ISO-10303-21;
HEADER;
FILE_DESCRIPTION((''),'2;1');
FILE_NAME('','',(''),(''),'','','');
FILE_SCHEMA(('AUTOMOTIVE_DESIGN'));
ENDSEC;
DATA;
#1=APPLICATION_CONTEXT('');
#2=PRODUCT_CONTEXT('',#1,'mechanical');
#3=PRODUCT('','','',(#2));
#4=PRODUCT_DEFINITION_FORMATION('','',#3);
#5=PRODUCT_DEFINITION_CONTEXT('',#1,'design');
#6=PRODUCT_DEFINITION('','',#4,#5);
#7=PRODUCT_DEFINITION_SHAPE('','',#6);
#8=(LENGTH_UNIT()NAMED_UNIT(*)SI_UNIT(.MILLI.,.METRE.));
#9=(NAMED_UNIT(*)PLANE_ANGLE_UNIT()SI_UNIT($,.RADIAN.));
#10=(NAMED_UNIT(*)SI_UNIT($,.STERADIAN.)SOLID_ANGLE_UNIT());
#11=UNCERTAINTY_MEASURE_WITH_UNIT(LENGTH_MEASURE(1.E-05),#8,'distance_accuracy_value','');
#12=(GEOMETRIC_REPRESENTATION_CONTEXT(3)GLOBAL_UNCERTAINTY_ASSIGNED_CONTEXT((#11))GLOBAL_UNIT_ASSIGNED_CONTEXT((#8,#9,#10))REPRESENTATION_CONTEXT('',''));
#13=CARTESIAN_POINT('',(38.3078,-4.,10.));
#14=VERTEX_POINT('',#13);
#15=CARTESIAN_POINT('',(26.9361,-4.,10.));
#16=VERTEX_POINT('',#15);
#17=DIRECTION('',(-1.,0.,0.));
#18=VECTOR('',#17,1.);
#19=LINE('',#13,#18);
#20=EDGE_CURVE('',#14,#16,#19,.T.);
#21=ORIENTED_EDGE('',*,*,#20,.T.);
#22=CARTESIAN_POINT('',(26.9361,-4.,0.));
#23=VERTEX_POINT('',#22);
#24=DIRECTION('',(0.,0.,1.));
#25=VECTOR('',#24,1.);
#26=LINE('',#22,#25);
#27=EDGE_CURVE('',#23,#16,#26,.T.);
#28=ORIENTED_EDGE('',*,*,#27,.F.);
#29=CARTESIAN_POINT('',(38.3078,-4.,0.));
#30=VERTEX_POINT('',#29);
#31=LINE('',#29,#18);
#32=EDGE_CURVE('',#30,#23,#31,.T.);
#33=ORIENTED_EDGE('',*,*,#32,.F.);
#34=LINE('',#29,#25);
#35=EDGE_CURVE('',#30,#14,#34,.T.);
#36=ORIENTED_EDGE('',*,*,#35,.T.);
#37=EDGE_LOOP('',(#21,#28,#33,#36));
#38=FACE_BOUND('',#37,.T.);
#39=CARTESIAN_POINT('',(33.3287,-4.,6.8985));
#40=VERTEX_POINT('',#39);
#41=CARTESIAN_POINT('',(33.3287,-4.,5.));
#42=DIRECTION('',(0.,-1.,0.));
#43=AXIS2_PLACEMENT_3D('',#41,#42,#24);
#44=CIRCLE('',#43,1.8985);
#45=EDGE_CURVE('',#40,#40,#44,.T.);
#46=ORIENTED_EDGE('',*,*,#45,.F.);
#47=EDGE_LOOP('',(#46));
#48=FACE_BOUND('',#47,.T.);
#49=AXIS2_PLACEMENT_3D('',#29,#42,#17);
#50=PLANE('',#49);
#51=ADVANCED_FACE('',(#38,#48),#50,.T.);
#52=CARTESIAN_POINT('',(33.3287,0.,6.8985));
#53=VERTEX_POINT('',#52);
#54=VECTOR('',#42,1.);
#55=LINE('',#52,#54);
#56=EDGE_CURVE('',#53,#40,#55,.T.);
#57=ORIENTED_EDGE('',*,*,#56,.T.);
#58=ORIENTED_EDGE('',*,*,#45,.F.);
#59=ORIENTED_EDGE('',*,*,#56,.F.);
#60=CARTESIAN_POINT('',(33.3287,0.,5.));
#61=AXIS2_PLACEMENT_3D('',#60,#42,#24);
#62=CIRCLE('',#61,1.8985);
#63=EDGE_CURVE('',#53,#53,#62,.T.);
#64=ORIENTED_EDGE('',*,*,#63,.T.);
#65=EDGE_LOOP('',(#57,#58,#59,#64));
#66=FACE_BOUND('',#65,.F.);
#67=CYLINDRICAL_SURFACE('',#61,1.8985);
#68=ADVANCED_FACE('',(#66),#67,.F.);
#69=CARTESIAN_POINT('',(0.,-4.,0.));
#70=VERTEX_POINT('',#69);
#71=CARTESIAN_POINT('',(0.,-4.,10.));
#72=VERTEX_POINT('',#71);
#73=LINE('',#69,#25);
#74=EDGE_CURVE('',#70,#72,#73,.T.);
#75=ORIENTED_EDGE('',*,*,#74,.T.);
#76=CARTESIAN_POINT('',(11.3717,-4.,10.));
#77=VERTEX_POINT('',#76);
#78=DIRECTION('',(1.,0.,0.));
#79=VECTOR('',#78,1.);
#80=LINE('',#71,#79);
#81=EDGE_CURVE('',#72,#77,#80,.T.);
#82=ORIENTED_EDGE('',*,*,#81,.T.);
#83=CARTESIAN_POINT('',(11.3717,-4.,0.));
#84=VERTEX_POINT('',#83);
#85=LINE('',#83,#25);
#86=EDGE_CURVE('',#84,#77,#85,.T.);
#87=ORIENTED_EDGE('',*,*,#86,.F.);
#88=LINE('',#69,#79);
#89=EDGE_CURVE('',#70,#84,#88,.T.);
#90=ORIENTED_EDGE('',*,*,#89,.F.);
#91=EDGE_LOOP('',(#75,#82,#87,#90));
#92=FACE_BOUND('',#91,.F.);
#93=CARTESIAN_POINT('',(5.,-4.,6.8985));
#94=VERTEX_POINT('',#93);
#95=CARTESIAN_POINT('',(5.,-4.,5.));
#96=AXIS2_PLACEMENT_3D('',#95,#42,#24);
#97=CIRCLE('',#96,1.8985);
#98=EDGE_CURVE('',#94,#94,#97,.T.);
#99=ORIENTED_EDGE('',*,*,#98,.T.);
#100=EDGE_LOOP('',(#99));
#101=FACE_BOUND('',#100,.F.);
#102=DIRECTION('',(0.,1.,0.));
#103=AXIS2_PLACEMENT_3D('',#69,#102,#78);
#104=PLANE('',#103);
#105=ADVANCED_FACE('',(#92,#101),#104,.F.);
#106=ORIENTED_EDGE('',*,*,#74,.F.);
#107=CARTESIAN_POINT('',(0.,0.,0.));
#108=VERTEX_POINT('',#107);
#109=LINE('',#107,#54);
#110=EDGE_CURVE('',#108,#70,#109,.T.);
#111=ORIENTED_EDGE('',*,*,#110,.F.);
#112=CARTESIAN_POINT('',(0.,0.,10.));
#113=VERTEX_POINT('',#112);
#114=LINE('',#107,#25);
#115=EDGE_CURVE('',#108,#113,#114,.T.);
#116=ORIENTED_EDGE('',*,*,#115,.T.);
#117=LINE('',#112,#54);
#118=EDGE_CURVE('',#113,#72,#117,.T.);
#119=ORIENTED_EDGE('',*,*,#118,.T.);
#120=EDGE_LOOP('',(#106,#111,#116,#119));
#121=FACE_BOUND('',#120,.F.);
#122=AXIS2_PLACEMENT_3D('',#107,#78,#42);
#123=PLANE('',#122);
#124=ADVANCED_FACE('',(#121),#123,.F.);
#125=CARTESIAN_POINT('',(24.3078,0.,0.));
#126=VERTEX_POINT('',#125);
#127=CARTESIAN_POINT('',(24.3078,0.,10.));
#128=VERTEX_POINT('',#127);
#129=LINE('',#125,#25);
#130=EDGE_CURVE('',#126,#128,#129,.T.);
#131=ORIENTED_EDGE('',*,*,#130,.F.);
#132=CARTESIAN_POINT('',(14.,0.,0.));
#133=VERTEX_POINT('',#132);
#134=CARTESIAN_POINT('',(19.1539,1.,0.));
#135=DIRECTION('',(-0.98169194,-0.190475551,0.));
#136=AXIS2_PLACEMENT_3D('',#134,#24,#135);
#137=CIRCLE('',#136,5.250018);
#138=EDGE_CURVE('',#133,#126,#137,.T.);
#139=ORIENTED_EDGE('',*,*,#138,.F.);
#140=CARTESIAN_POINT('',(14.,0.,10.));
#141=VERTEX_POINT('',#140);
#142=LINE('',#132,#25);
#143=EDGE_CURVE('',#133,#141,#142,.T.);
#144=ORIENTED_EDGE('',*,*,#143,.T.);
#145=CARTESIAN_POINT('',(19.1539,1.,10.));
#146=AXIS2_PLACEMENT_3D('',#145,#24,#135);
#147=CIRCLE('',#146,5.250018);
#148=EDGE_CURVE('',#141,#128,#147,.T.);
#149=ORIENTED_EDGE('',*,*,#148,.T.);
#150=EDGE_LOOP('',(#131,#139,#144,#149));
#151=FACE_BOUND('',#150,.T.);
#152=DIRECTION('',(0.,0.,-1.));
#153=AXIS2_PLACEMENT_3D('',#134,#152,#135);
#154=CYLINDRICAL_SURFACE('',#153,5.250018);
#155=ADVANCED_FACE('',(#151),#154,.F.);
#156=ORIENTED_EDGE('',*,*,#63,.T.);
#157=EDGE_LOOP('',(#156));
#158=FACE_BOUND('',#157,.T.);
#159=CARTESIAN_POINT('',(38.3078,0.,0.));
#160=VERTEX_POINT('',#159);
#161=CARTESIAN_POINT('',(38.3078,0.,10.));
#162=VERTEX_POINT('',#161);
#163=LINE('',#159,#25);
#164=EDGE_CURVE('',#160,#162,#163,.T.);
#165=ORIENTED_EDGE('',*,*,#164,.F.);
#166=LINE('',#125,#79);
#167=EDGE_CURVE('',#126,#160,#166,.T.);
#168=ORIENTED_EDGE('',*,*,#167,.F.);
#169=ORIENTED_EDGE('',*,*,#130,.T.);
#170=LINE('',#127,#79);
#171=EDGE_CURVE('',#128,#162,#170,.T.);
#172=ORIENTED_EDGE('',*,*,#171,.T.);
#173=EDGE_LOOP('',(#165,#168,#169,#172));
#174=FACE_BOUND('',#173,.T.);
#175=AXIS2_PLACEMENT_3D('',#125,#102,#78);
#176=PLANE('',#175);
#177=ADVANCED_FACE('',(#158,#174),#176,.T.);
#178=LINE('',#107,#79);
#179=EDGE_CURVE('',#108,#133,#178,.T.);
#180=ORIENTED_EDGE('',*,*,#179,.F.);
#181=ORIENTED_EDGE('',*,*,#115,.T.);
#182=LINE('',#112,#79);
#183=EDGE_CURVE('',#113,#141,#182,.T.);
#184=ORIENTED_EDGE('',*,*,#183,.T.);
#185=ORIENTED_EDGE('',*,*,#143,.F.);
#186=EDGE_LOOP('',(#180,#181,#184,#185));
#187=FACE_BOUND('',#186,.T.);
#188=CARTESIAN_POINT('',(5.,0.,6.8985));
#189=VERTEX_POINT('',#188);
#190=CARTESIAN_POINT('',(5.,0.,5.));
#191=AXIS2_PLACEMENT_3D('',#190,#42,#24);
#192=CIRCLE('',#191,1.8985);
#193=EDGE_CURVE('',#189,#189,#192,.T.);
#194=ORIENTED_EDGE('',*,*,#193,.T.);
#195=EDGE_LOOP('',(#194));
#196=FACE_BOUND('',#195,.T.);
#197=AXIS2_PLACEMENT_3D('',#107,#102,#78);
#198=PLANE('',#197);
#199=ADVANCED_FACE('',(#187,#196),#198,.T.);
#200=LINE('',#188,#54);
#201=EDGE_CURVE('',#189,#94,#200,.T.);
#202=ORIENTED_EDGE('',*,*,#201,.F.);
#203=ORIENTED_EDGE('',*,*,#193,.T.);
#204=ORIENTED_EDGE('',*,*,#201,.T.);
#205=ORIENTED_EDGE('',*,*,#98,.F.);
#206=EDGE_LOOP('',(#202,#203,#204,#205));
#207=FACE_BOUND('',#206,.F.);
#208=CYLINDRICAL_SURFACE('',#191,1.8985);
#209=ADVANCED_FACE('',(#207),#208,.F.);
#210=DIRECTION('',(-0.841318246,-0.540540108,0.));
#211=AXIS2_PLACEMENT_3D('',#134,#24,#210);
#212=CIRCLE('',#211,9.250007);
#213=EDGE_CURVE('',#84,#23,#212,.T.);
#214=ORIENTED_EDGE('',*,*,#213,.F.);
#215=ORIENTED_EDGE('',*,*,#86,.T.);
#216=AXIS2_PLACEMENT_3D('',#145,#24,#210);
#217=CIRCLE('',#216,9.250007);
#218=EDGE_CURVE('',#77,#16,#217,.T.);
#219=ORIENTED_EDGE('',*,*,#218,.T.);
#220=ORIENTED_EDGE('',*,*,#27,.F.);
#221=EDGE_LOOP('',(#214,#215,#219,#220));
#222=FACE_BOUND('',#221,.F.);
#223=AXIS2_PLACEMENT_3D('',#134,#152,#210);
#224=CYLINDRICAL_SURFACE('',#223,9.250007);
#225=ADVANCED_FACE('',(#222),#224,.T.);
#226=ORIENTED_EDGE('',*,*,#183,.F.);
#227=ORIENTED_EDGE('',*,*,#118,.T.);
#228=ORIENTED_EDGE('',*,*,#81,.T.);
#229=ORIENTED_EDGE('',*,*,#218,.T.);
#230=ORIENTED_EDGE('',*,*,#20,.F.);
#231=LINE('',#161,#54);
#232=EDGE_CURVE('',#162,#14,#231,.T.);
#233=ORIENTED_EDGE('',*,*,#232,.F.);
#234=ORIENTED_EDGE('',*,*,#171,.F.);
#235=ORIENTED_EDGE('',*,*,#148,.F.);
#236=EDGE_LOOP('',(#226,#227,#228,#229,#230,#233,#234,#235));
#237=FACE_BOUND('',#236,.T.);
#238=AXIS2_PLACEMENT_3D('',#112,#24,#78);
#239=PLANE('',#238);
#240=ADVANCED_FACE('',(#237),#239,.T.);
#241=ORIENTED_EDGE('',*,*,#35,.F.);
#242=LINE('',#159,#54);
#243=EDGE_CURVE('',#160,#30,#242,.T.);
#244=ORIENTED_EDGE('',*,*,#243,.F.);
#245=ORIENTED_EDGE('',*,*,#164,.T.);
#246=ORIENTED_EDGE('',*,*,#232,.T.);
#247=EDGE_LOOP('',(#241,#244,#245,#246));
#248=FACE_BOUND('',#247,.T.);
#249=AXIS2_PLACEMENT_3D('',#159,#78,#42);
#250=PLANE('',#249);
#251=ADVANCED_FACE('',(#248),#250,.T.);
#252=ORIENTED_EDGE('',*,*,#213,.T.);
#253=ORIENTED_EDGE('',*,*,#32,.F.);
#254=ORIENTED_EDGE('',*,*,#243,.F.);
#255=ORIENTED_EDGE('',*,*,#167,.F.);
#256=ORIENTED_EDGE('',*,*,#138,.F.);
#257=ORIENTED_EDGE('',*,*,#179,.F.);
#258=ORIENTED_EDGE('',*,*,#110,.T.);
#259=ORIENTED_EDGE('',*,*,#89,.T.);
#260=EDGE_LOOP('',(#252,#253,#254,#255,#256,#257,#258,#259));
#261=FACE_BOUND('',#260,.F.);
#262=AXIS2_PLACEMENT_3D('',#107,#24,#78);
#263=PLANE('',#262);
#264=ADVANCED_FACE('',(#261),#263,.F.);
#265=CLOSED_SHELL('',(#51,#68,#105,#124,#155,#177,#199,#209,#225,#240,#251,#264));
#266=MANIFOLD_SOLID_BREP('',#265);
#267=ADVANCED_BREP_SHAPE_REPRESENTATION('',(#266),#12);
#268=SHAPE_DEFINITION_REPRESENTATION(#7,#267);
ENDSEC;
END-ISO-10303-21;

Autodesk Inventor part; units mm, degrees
ref_plane "YZ Plane" through (0, 0, 0) normal (1, 0, 0) x (0, 1, 0)
ref_plane "XZ Plane" through (0, 0, 0) normal (0, 1, 0) x (-1, 0, 0)
ref_plane "XY Plane" through (0, 0, 0) normal (0, 0, 1) x (1, 0, 0)
sketch "Sketch1" plane through (0, 0, 0) normal (0, 0, 1) x (1, 0, 0)
  line L0 (0, 0) -> (14, 0)
  arc A0 (14, 0) -> (24.3078, 0) centre (19.1539, 1) ccw
  line L1 (24.3078, 0) -> (38.3078, 0)
  line L2 (19.1539, 0) -> (19.1539, 1) construction
  line L3 (14, 0) -> (19.1539, 0) construction
  line L4 (24.3078, 0) -> (19.1539, 0) construction
  line L5 (0, 0) -> (0, -4)
  arc A1 (11.3717, -4) -> (26.9361, -4) centre (19.1539, 1) ccw
  line L6 (0, -4) -> (11.3717, -4)
  line L7 (38.3078, 0) -> (38.3078, -4)
  line L8 (38.3078, -4) -> (26.9361, -4)
  dimension "d0" = 14
  dimension "d2" = 10.5
  dimension "d3" = 14
  dimension "d4" = 1
  dimension "d6" = 4
  dimension "d7" = 18.5
  dimension "d8" = 4
extrude "Extrusion1" add sketch "Sketch1" along normal blind 10
sketch "Sketch9" plane through (0, 0, 10) normal (0, 1, 0) x (1, 0, 0)
  line L0 (14, 0) -> (0, 0) projected
  line L1 (0, 10) -> (10, 10)
  line L2 (10, 10) -> (10, 0)
  line L3 (10, 0) -> (0, 0)
  line L4 (0, 0) -> (0, 10)
  line L5 (24.3078, 10) -> (38.3078, 10) projected
  line L6 (38.3078, 0) -> (24.3078, 0) projected
  line L7 (38.3287, 10) -> (28.3287, 10)
  line L8 (28.3287, 10) -> (28.3287, 0)
  line L9 (28.3287, 0) -> (38.3287, 0)
  line L10 (38.3287, 0) -> (38.3287, 10)
  line L11 (0, 0) -> (10, 10) construction
  line L12 (0, 10) -> (0, 0) projected
  line L13 (0, 10) -> (10, 0) construction
  line L14 (28.3287, 0) -> (38.3287, 10) construction
  line L15 (38.3287, 0) -> (28.3287, 10) construction
  line L16 (48.3078, 0) -> (38.3287, 0)
  line L17 (38.3287, 0) -> (38.3287, 10)
  line L18 (38.3287, 10) -> (48.3078, 10)
  line L19 (48.3078, 10) -> (48.3078, 0)
  line L20 (48.3078, 10) -> (48.3078, 0) projected
  line L21 (48.3078, 10) -> (38.3287, 0) construction
  line L22 (48.3078, 0) -> (38.3287, 10) construction
  point P0 (28.3497, 10)
  point P1 (5, 5)
  point P2 (33.3287, 5)
  point P3 (43.3182, 5)
  dimension "d38" = 10
  dimension "d39" = 10
hole "Hole1" at (5, 0, 5) at (33.3287, 0, 5) at (43.3182, 0, 5) direction (0, -1, 0) diameter 3.797 end through all clearance for "Flat Head Machine Screw (82)" size "#6" standard "Ansi Unified Screw Threads"
properties part number "twoscrewclamp"
